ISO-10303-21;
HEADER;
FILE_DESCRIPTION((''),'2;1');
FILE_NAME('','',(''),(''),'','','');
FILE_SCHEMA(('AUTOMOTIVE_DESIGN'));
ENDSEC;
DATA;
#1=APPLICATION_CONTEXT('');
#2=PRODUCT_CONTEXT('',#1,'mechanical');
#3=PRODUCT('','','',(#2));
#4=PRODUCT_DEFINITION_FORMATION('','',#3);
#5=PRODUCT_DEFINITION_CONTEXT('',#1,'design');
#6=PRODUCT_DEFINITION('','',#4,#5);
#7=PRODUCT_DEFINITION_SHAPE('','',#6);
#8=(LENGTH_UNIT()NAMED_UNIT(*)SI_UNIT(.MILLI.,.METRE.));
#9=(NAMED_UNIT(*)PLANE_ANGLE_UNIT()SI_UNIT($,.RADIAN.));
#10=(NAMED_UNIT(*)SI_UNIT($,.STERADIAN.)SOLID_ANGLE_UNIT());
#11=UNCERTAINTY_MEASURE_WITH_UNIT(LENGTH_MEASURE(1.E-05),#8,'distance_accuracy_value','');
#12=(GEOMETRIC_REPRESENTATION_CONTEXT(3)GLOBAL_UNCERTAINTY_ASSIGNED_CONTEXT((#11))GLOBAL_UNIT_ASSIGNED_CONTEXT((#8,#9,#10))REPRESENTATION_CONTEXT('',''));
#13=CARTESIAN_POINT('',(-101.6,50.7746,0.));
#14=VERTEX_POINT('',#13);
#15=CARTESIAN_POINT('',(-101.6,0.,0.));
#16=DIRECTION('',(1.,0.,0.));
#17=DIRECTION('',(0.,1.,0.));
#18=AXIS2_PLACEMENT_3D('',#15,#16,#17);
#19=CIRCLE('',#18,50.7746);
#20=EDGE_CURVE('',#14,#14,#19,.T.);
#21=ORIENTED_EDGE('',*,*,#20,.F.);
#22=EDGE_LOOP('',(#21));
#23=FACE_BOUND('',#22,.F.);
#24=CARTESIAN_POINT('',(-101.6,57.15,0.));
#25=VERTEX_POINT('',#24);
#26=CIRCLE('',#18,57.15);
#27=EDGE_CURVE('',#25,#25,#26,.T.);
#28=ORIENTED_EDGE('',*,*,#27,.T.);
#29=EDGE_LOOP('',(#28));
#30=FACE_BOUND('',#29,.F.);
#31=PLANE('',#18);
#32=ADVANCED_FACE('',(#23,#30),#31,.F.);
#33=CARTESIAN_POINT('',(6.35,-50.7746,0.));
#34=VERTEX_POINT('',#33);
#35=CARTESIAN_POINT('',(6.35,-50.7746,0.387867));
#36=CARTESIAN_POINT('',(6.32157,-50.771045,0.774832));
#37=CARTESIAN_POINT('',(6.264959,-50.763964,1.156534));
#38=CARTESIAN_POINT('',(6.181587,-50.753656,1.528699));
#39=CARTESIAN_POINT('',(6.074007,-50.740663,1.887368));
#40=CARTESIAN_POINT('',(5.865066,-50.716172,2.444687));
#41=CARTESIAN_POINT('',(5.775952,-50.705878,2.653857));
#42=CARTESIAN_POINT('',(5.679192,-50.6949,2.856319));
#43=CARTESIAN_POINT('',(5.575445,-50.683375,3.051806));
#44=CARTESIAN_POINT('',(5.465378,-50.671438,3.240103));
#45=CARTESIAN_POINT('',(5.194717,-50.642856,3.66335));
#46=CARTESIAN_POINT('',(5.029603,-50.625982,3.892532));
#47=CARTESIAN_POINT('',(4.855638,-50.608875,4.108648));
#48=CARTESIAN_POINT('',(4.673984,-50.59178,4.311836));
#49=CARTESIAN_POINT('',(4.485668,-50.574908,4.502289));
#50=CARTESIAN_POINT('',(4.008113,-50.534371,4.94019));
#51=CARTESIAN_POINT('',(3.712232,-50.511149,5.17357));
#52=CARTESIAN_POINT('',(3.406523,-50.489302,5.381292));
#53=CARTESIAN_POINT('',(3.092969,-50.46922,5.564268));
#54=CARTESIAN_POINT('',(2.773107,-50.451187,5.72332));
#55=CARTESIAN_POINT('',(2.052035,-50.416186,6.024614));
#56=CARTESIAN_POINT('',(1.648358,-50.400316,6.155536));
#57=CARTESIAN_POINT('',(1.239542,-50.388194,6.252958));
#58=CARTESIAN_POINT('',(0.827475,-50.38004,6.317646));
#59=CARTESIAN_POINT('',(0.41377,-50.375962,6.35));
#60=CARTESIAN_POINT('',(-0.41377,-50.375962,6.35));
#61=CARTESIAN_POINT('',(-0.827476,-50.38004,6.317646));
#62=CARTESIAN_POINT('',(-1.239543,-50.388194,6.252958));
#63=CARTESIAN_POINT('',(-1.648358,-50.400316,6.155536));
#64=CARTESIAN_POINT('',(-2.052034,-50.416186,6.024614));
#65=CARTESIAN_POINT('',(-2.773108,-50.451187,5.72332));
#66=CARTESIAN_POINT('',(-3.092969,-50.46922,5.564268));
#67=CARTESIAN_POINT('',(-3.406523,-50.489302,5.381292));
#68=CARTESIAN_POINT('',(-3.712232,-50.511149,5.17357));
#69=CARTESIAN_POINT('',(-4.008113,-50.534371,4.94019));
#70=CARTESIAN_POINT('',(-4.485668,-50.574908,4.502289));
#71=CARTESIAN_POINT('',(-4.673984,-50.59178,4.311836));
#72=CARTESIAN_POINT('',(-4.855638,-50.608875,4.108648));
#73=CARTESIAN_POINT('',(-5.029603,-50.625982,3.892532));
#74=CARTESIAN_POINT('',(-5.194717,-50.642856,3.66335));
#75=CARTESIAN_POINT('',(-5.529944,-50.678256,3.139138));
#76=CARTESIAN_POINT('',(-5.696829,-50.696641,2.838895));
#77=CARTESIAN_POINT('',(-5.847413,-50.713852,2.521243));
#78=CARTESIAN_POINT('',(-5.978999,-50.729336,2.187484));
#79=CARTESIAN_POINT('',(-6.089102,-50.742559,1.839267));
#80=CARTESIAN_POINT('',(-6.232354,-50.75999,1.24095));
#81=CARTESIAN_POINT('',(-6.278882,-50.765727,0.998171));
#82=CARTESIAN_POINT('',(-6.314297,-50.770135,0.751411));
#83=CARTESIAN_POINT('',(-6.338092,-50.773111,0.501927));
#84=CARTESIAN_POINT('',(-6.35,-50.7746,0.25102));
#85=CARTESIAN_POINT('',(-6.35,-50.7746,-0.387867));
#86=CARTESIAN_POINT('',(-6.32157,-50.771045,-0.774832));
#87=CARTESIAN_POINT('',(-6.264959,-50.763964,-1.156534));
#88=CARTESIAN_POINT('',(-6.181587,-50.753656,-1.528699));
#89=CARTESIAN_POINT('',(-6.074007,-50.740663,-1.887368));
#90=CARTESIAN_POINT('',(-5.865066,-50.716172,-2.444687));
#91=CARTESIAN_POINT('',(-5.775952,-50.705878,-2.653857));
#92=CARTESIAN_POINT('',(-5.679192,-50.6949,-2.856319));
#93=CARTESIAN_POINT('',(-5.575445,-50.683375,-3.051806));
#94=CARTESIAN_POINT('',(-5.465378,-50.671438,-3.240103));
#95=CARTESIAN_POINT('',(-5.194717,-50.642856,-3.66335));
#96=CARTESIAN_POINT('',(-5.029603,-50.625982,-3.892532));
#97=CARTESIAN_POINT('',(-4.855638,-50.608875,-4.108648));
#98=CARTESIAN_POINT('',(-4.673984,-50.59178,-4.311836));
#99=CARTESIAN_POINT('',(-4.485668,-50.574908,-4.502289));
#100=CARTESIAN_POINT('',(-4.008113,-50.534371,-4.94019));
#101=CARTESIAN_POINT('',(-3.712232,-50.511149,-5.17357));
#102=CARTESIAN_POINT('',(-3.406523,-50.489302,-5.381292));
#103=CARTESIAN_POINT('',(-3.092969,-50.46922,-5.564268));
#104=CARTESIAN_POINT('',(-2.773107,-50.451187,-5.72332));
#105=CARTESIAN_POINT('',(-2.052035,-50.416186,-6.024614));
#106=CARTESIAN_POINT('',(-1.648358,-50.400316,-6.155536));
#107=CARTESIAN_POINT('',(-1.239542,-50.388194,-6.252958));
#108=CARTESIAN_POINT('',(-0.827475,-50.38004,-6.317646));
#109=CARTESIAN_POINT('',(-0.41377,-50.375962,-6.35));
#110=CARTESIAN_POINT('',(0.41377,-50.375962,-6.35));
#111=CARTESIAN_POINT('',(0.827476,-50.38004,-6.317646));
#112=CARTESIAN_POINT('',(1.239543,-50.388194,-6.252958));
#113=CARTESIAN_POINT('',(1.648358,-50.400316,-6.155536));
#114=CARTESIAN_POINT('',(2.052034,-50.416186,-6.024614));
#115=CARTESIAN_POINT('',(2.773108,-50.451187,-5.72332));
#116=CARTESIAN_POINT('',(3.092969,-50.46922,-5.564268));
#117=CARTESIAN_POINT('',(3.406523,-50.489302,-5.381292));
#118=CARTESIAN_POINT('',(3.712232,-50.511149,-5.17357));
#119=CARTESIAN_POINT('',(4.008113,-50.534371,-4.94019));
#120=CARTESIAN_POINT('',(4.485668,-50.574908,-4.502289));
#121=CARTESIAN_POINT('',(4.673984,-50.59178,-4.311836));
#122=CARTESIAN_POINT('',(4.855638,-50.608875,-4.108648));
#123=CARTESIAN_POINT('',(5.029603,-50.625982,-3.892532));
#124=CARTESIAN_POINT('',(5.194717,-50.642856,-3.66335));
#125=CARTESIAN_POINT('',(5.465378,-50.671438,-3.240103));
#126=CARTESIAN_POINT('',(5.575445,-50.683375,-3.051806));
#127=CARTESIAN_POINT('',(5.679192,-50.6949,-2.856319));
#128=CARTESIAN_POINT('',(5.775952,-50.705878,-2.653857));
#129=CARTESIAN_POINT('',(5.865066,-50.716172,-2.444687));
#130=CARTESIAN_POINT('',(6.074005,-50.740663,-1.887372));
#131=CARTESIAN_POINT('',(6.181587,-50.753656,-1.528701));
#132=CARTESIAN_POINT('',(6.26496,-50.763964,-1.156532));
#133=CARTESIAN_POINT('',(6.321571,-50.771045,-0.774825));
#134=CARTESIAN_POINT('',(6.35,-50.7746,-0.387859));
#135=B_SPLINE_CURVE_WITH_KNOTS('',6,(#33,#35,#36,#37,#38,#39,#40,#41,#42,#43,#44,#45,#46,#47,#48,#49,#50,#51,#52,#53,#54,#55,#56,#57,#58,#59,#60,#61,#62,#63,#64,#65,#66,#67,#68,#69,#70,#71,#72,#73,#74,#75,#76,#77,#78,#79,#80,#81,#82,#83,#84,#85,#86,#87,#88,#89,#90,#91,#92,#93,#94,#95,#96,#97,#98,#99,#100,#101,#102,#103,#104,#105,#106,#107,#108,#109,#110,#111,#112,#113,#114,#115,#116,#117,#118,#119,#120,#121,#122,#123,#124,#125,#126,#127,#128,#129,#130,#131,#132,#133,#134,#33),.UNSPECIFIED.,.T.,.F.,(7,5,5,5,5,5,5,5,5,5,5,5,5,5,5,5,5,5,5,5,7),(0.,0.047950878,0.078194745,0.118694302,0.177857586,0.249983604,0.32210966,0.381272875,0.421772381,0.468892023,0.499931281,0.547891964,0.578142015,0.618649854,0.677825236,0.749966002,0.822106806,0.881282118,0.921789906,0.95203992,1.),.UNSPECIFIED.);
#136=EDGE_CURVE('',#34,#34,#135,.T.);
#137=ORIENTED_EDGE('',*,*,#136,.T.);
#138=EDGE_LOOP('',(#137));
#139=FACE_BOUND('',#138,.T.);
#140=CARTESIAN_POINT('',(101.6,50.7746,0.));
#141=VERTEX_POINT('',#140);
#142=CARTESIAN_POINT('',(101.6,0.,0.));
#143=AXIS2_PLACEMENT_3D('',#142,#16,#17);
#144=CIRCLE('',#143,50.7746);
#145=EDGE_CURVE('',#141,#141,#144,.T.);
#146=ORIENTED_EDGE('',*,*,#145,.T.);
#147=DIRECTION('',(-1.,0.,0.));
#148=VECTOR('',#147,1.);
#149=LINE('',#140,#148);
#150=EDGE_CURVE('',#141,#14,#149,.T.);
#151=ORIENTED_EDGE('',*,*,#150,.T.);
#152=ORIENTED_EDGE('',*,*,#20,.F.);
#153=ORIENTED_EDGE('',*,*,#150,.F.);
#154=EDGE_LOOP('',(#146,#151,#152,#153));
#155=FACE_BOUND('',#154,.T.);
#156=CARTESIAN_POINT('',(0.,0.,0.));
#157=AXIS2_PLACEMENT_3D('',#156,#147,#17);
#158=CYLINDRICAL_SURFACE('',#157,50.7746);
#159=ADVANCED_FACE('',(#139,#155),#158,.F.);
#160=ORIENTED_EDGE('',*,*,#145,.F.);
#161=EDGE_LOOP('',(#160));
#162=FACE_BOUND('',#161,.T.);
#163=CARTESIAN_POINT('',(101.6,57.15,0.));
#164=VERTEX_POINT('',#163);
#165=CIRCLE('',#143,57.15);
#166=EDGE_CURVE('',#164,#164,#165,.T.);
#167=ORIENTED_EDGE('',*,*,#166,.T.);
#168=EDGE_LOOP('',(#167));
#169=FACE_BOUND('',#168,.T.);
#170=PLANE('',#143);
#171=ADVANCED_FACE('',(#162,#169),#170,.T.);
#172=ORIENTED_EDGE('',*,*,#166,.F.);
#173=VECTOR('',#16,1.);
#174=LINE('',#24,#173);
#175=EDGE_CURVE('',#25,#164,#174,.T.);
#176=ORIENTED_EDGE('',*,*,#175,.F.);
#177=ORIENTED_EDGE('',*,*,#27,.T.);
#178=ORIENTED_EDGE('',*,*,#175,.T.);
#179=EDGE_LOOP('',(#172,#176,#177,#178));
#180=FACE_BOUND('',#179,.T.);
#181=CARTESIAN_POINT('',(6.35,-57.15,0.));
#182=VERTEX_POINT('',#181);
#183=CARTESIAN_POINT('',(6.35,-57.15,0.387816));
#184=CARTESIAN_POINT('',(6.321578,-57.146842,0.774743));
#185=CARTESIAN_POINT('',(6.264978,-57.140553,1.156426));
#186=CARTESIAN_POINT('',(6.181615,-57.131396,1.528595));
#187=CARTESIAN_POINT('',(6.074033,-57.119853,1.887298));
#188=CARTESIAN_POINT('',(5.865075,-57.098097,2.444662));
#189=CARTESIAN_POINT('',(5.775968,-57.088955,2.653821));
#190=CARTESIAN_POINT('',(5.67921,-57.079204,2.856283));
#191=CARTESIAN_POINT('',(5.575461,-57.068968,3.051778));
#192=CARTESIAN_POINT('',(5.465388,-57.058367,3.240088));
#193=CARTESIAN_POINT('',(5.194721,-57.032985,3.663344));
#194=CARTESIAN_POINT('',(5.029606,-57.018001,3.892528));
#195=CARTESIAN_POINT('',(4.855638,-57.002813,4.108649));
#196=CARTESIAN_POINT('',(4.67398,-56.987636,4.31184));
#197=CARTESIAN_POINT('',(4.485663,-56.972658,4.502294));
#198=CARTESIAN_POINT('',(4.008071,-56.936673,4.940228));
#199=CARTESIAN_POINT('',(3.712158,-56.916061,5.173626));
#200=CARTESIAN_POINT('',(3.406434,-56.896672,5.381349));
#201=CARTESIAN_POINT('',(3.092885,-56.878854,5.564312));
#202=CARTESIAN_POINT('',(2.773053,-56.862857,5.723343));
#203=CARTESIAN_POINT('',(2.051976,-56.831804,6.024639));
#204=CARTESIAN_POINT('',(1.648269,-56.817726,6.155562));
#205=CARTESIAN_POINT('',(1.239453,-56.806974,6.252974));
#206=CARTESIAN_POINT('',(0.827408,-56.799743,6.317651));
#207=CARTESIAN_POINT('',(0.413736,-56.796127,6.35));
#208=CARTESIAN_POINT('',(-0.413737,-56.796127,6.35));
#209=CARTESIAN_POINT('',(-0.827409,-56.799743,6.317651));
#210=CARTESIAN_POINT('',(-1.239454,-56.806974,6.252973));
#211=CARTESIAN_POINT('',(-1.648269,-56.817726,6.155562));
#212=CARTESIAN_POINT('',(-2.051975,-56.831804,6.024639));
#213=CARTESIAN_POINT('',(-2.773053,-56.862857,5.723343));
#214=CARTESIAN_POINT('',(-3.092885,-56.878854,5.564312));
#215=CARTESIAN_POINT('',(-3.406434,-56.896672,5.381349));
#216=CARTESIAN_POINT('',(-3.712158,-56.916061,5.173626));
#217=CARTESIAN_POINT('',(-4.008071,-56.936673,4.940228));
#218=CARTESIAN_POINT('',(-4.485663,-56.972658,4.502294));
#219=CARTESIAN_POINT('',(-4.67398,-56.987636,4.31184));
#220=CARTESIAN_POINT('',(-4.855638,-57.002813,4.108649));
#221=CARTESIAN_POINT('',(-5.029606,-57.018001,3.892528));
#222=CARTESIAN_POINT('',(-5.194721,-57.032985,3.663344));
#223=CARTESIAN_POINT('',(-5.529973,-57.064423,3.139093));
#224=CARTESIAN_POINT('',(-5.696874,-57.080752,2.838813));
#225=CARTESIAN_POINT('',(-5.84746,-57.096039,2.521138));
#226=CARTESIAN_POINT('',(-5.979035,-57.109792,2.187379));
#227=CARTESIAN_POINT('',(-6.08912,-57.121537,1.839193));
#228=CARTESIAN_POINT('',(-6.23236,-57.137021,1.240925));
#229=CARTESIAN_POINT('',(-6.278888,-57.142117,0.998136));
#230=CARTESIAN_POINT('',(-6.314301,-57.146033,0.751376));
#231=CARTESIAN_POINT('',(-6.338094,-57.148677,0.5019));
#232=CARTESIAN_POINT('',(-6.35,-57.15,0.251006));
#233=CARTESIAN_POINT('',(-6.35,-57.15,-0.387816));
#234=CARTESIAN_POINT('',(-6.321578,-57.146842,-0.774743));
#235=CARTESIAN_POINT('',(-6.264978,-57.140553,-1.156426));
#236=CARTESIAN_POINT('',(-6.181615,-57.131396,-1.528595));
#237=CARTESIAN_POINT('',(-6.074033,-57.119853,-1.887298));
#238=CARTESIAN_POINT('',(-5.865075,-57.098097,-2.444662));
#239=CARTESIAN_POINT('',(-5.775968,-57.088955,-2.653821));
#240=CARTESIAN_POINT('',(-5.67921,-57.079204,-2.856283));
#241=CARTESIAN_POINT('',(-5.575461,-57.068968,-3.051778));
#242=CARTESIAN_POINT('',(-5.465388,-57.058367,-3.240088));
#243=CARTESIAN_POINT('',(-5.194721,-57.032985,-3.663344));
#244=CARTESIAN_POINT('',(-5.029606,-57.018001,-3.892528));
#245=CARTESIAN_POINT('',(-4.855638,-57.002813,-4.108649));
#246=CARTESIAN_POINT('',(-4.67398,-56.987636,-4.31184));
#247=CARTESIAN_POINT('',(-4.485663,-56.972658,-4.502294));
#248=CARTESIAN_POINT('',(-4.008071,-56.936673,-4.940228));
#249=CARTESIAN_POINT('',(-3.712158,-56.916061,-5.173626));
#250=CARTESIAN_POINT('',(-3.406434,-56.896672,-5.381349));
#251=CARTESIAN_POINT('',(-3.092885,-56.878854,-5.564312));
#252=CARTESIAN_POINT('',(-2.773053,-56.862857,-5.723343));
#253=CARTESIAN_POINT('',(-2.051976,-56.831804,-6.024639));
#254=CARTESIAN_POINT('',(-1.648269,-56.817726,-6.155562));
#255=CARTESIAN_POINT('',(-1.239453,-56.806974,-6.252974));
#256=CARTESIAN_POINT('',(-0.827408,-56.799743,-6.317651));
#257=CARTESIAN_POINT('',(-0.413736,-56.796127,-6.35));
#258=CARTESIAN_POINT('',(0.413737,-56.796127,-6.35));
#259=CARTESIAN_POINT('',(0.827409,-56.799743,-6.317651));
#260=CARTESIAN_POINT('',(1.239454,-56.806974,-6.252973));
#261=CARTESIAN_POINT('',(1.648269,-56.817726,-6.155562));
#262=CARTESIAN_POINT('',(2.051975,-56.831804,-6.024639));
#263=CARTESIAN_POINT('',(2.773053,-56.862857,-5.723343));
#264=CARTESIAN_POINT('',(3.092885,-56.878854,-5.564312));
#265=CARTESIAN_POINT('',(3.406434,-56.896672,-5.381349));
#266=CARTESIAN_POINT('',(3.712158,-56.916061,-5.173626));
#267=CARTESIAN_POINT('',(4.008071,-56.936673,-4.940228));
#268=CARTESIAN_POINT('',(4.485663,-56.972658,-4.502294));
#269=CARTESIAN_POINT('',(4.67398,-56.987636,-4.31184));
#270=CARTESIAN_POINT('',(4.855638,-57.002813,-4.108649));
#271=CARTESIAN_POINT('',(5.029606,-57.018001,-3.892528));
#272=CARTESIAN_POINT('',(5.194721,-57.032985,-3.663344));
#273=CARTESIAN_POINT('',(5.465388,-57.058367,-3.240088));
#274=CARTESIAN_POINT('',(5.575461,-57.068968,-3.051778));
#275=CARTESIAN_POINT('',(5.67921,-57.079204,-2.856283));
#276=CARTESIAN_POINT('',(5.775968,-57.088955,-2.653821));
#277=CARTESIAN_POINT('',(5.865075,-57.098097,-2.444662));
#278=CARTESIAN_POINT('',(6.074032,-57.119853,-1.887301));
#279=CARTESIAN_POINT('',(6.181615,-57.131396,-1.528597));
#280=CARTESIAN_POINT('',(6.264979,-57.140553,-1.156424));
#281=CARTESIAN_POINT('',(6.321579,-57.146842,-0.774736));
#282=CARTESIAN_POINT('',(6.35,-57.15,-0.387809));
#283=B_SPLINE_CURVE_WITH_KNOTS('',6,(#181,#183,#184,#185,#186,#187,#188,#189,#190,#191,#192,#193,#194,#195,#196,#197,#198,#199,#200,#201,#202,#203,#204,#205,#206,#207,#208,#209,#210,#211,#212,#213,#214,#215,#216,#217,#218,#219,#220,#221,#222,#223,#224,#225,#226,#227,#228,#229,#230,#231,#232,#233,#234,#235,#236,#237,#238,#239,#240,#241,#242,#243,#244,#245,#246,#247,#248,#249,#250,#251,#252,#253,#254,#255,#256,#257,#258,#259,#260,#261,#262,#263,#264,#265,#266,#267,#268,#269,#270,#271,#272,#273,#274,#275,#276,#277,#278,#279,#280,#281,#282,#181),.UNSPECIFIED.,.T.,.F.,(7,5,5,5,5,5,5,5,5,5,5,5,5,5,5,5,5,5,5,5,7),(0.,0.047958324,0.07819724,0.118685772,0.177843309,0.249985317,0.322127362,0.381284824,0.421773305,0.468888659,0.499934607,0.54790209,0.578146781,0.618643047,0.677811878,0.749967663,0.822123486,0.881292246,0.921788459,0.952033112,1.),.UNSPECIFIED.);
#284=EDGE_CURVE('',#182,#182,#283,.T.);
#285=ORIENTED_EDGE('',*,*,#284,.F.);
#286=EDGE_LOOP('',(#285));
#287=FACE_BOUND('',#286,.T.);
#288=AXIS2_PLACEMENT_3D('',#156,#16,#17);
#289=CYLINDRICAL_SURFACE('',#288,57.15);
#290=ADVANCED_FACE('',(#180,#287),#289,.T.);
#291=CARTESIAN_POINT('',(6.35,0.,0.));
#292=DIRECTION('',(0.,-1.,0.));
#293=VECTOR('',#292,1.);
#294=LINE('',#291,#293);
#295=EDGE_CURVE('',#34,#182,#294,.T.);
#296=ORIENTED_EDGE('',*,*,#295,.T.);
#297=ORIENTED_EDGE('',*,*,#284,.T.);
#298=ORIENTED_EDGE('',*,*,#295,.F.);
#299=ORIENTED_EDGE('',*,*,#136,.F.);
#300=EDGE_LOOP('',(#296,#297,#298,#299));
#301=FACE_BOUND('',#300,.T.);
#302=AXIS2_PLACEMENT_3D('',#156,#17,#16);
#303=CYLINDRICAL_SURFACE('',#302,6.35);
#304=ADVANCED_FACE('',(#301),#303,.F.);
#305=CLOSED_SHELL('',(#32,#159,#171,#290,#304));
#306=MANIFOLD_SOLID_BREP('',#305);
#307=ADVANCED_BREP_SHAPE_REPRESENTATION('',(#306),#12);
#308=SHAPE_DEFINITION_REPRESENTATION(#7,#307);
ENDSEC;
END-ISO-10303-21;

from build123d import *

# Parameters (mm, degrees)
F0_R     = 57.15
F0_R_2   = 50.7746
F1_DEPTH = 101.6
F2_R     = 6.35
F3_DEPTH = 57.151


with BuildPart() as f1:
    # F0 (on Right) → F1 (new body, symmetric)
    with BuildSketch(Plane.YZ):
        Circle(F0_R)
        Circle(F0_R_2, mode=Mode.SUBTRACT)
    extrude(amount=F1_DEPTH, both=True)

    # F2 (on Front) → F3 (cut, through all)
    with BuildSketch(Plane.XZ):
        Circle(F2_R)
    extrude(amount=F3_DEPTH, mode=Mode.SUBTRACT)


solid = f1.part
